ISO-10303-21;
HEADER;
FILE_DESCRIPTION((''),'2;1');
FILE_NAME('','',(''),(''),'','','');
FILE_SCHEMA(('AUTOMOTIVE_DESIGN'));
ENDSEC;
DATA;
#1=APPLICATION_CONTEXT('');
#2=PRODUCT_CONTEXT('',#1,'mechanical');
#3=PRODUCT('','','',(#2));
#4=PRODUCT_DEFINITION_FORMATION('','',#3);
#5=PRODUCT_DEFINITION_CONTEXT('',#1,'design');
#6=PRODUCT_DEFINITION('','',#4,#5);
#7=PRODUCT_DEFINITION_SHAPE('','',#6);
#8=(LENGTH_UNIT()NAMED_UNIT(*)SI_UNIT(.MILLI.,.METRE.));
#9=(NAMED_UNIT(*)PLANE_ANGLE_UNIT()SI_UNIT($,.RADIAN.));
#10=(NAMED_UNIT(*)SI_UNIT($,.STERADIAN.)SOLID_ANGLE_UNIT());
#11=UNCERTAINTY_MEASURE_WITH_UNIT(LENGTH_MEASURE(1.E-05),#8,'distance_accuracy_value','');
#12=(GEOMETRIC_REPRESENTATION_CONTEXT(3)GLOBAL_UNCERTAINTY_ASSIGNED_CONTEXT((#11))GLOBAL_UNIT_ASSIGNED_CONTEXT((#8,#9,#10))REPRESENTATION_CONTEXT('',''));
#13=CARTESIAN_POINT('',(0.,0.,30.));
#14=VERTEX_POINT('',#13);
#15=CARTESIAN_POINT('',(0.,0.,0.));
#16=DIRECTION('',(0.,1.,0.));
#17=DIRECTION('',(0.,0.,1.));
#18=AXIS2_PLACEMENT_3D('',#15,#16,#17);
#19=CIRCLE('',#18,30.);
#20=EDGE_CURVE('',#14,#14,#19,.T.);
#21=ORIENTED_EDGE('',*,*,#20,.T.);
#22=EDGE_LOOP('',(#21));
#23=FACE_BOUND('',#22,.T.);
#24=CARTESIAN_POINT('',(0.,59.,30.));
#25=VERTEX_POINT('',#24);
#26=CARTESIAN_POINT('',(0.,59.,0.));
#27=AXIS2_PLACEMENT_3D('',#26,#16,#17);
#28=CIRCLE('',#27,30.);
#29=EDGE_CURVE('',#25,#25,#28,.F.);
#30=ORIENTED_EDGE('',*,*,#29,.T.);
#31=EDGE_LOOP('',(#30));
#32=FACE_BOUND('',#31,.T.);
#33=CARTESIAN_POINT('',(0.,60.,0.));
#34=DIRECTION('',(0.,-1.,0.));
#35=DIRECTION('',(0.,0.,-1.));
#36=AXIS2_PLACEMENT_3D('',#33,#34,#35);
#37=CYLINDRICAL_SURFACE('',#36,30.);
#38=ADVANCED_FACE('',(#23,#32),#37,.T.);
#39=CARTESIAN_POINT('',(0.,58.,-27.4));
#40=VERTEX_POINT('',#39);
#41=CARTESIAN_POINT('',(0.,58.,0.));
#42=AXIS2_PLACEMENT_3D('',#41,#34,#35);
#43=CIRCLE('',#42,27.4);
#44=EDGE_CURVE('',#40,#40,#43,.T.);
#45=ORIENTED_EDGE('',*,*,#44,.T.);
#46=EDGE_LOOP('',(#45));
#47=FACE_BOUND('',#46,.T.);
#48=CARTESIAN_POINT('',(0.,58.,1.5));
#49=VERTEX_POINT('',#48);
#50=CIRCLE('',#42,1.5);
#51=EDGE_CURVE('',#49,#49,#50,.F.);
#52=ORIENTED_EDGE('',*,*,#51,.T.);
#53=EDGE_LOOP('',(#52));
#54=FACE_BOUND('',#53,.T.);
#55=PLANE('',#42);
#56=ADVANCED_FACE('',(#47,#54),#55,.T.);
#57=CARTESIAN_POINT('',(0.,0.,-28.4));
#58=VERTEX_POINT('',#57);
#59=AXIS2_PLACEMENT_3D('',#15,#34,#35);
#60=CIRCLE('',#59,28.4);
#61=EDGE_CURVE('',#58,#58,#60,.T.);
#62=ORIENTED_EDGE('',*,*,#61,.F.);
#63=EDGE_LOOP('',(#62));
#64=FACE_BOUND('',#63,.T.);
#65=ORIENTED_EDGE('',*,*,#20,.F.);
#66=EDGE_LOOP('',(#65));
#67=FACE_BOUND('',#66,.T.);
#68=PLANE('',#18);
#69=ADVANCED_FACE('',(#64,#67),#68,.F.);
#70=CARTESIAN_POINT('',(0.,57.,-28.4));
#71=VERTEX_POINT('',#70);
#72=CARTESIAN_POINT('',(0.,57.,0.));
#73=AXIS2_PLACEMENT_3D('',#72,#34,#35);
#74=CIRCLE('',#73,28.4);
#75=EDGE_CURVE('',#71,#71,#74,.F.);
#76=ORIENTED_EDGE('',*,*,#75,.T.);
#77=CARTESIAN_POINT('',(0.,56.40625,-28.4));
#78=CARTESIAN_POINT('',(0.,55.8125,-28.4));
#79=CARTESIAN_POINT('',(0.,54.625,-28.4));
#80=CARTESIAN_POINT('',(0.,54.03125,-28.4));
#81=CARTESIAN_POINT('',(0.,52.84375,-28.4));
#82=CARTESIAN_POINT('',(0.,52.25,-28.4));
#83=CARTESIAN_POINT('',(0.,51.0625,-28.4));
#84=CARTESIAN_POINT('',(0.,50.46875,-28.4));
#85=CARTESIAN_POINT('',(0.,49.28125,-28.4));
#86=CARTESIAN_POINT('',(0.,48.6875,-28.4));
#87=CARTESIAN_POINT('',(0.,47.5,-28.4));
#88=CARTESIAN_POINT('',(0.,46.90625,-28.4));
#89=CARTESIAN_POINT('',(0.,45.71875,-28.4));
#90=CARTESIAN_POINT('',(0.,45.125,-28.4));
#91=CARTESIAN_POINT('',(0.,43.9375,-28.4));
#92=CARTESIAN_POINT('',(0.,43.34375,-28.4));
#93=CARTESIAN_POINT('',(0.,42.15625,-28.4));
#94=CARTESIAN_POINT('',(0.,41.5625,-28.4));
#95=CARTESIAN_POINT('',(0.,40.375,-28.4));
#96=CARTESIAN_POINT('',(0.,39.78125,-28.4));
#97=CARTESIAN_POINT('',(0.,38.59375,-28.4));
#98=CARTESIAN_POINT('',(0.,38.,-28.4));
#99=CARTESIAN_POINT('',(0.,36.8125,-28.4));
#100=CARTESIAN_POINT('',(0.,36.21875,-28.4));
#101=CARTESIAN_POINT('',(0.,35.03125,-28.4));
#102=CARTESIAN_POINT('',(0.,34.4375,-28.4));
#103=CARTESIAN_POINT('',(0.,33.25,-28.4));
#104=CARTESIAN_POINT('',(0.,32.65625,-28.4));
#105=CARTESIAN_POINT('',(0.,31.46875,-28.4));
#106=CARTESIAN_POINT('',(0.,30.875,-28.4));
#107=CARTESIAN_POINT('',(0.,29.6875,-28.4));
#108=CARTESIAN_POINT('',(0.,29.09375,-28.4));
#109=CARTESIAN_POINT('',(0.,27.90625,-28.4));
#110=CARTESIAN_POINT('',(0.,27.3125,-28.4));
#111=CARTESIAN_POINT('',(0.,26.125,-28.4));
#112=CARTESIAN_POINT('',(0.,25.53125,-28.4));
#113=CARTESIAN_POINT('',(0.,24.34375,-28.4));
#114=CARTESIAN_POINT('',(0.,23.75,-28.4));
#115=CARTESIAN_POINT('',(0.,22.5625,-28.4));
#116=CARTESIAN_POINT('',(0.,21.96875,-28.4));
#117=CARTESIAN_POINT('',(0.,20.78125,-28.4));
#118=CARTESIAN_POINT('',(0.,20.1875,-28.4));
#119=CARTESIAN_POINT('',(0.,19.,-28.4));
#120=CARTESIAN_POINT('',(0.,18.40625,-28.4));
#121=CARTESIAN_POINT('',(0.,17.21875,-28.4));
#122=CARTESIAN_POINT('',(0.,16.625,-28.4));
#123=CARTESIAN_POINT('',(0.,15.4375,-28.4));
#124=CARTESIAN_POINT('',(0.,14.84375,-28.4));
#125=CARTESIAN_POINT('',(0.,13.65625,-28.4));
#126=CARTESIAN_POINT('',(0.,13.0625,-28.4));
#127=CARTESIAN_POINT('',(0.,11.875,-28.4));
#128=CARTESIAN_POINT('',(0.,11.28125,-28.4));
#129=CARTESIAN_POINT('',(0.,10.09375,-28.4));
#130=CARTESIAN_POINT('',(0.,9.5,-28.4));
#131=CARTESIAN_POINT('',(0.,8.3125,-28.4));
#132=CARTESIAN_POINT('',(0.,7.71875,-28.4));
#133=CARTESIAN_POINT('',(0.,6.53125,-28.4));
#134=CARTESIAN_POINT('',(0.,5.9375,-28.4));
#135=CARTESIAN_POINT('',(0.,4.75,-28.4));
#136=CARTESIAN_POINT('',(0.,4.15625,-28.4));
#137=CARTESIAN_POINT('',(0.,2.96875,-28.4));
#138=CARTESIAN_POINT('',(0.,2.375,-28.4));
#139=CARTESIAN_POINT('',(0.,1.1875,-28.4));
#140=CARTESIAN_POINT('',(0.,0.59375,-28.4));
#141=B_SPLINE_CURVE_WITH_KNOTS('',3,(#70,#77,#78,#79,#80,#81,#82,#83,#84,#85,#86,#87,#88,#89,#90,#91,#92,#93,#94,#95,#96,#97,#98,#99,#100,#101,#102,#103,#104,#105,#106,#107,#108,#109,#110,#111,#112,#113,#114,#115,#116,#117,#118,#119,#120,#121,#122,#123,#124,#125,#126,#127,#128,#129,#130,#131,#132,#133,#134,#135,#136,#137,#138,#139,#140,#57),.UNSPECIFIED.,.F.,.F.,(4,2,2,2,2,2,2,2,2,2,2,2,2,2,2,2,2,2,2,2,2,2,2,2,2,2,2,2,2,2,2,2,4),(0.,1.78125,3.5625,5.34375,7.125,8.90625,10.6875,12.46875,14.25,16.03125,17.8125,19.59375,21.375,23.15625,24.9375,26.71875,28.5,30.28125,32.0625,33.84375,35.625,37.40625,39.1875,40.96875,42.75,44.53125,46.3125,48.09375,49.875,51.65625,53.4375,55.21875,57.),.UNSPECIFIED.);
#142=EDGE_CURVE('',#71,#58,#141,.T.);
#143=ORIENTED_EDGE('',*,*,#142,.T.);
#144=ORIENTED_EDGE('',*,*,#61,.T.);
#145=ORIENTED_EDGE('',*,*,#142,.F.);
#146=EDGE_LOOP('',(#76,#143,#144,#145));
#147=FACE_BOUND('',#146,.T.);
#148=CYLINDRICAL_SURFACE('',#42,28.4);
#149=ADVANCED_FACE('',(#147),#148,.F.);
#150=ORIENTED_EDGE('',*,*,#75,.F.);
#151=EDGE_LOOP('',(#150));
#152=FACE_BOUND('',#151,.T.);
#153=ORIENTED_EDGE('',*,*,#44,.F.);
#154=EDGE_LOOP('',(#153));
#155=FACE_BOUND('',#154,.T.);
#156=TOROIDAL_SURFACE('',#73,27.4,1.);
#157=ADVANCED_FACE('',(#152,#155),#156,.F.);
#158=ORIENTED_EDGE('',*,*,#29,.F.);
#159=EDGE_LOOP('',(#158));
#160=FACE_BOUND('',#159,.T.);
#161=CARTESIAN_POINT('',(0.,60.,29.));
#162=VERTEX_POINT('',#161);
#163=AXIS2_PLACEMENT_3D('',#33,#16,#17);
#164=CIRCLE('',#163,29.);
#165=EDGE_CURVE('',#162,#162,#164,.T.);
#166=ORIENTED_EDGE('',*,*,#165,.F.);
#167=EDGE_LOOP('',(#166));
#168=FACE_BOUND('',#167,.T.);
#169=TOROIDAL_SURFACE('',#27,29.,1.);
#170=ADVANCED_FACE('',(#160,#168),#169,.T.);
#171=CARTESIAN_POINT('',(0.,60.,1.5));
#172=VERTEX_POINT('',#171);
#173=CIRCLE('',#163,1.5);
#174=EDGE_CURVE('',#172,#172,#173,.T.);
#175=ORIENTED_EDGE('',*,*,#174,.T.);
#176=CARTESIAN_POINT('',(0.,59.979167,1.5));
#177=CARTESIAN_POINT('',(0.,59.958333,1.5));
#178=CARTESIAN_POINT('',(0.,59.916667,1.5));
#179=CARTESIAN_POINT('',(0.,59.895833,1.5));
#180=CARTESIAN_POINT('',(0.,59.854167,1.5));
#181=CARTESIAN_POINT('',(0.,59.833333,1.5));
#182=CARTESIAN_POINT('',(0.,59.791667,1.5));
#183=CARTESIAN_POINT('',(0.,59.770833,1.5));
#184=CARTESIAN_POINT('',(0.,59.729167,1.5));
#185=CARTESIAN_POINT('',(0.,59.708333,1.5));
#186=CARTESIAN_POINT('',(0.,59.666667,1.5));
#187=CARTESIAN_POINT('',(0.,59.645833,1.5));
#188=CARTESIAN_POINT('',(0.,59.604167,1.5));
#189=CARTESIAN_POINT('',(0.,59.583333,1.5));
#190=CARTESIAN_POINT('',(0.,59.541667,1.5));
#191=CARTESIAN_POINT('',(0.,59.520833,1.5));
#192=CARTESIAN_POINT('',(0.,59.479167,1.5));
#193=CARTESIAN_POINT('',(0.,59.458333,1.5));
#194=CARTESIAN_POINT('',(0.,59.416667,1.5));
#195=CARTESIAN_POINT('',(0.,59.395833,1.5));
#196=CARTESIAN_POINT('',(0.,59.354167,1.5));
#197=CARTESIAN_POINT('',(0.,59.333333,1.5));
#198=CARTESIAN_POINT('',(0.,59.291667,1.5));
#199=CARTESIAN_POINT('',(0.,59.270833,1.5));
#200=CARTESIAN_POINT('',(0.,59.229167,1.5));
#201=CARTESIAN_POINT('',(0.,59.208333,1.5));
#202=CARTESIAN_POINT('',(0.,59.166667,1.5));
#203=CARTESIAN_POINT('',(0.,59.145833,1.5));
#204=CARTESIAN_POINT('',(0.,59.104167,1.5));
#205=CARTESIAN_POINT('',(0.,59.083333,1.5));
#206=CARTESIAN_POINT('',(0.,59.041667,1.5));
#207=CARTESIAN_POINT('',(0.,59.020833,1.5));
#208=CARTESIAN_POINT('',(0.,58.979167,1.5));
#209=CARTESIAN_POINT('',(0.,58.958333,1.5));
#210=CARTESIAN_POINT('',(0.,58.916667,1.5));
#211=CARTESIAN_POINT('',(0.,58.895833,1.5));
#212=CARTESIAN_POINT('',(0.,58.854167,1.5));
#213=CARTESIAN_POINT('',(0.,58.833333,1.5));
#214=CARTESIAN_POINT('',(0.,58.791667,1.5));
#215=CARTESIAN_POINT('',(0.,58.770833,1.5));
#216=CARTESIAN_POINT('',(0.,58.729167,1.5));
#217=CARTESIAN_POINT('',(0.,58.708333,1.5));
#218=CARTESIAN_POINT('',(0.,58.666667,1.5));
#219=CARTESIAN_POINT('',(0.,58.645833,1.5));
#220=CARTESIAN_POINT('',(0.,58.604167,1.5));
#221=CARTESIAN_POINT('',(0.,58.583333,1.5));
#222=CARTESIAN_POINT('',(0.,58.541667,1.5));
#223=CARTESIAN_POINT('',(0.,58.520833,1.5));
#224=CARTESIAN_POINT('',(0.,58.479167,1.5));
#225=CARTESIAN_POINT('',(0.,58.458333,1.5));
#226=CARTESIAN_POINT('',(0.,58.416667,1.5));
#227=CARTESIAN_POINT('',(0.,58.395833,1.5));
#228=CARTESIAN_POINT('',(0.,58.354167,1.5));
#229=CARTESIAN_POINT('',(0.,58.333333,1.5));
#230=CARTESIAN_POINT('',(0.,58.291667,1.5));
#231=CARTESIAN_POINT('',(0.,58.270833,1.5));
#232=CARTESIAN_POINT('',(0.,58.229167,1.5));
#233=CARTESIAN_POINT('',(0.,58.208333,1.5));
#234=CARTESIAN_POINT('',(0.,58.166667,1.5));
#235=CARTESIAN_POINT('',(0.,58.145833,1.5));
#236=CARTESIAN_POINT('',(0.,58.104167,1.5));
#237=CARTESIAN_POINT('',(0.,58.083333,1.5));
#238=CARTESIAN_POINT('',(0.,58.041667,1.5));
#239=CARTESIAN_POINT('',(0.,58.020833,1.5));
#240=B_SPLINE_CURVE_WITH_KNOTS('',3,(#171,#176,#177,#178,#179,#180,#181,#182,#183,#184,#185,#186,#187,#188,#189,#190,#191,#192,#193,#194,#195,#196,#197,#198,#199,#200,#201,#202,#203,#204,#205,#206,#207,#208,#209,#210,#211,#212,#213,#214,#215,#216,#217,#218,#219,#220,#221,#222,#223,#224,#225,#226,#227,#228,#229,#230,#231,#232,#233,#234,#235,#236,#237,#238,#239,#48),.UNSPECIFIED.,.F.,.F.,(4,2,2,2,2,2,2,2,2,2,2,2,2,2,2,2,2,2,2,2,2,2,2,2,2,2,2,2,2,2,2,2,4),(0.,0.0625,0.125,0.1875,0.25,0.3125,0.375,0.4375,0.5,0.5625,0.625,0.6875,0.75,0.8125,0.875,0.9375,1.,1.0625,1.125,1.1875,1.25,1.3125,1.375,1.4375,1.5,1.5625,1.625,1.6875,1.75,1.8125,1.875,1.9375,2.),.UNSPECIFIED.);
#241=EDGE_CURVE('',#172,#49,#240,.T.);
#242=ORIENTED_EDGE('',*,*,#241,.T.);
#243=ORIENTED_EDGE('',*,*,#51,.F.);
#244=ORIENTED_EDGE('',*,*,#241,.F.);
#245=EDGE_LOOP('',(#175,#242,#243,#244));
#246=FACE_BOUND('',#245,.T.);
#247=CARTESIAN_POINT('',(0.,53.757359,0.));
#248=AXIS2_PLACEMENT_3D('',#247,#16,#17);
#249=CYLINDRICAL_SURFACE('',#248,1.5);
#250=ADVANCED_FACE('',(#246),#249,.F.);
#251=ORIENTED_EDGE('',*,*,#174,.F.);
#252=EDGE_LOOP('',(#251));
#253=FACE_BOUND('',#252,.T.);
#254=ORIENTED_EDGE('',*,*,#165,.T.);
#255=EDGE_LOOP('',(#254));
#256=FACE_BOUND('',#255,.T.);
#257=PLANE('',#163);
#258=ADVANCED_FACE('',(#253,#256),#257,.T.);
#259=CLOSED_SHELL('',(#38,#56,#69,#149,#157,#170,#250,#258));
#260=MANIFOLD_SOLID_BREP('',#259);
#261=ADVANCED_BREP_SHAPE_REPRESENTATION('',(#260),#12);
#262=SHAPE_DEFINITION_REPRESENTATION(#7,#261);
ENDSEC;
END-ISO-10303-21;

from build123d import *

# Parameters (mm, degrees)
SKETCH1_R           = 30
BOSS_EXTRUDE1_DEPTH = 60
SKETCH2_R           = 28.4
CUT_EXTRUDE1_DEPTH  = 58
SKETCH3_R           = 1.5
CUT_EXTRUDE2_DEPTH  = 2
FILLET2_R           = 1
FILLET3_R           = 1


with BuildPart() as part:
    # Sketch1 → Boss-Extrude1 (new body)
    with BuildSketch(Plane(origin=(0, 0, 0), x_dir=(1, 0, 0), z_dir=(0, 1, 0))):
        with Locations(Location((0, 0, 0), (0, 0, 270))):
            Circle(SKETCH1_R)
    extrude(amount=BOSS_EXTRUDE1_DEPTH)

    # Sketch2 → Cut-Extrude1 (cut)
    with BuildSketch(Plane(origin=(0, 0, 0), x_dir=(-1, 0, 0), z_dir=(0, -1, 0))):
        with Locations(Location((0, 0, 0), (0, 0, 90))):
            Circle(SKETCH2_R)
    extrude(amount=-CUT_EXTRUDE1_DEPTH, mode=Mode.SUBTRACT)

    # Sketch3 → Cut-Extrude2 (cut)
    with BuildSketch(Plane(origin=(0, 60, 0), x_dir=(1, 0, 0), z_dir=(0, 1, 0))):
        with Locations(Location((0, 0, 0), (0, 0, 270))):
            Circle(SKETCH3_R)
    extrude(amount=-CUT_EXTRUDE2_DEPTH, mode=Mode.SUBTRACT)

    # Fillet2
    fillet2_edges = [part.edges().sort_by_distance(p)[0] for p in [
        (0, 58, 28.4),
    ]]
    fillet(fillet2_edges, radius=FILLET2_R)

    # Fillet3
    fillet3_edges = [part.edges().sort_by_distance(p)[0] for p in [
        (0, 60, -30),
    ]]
    fillet(fillet3_edges, radius=FILLET3_R)


solid = part.part
